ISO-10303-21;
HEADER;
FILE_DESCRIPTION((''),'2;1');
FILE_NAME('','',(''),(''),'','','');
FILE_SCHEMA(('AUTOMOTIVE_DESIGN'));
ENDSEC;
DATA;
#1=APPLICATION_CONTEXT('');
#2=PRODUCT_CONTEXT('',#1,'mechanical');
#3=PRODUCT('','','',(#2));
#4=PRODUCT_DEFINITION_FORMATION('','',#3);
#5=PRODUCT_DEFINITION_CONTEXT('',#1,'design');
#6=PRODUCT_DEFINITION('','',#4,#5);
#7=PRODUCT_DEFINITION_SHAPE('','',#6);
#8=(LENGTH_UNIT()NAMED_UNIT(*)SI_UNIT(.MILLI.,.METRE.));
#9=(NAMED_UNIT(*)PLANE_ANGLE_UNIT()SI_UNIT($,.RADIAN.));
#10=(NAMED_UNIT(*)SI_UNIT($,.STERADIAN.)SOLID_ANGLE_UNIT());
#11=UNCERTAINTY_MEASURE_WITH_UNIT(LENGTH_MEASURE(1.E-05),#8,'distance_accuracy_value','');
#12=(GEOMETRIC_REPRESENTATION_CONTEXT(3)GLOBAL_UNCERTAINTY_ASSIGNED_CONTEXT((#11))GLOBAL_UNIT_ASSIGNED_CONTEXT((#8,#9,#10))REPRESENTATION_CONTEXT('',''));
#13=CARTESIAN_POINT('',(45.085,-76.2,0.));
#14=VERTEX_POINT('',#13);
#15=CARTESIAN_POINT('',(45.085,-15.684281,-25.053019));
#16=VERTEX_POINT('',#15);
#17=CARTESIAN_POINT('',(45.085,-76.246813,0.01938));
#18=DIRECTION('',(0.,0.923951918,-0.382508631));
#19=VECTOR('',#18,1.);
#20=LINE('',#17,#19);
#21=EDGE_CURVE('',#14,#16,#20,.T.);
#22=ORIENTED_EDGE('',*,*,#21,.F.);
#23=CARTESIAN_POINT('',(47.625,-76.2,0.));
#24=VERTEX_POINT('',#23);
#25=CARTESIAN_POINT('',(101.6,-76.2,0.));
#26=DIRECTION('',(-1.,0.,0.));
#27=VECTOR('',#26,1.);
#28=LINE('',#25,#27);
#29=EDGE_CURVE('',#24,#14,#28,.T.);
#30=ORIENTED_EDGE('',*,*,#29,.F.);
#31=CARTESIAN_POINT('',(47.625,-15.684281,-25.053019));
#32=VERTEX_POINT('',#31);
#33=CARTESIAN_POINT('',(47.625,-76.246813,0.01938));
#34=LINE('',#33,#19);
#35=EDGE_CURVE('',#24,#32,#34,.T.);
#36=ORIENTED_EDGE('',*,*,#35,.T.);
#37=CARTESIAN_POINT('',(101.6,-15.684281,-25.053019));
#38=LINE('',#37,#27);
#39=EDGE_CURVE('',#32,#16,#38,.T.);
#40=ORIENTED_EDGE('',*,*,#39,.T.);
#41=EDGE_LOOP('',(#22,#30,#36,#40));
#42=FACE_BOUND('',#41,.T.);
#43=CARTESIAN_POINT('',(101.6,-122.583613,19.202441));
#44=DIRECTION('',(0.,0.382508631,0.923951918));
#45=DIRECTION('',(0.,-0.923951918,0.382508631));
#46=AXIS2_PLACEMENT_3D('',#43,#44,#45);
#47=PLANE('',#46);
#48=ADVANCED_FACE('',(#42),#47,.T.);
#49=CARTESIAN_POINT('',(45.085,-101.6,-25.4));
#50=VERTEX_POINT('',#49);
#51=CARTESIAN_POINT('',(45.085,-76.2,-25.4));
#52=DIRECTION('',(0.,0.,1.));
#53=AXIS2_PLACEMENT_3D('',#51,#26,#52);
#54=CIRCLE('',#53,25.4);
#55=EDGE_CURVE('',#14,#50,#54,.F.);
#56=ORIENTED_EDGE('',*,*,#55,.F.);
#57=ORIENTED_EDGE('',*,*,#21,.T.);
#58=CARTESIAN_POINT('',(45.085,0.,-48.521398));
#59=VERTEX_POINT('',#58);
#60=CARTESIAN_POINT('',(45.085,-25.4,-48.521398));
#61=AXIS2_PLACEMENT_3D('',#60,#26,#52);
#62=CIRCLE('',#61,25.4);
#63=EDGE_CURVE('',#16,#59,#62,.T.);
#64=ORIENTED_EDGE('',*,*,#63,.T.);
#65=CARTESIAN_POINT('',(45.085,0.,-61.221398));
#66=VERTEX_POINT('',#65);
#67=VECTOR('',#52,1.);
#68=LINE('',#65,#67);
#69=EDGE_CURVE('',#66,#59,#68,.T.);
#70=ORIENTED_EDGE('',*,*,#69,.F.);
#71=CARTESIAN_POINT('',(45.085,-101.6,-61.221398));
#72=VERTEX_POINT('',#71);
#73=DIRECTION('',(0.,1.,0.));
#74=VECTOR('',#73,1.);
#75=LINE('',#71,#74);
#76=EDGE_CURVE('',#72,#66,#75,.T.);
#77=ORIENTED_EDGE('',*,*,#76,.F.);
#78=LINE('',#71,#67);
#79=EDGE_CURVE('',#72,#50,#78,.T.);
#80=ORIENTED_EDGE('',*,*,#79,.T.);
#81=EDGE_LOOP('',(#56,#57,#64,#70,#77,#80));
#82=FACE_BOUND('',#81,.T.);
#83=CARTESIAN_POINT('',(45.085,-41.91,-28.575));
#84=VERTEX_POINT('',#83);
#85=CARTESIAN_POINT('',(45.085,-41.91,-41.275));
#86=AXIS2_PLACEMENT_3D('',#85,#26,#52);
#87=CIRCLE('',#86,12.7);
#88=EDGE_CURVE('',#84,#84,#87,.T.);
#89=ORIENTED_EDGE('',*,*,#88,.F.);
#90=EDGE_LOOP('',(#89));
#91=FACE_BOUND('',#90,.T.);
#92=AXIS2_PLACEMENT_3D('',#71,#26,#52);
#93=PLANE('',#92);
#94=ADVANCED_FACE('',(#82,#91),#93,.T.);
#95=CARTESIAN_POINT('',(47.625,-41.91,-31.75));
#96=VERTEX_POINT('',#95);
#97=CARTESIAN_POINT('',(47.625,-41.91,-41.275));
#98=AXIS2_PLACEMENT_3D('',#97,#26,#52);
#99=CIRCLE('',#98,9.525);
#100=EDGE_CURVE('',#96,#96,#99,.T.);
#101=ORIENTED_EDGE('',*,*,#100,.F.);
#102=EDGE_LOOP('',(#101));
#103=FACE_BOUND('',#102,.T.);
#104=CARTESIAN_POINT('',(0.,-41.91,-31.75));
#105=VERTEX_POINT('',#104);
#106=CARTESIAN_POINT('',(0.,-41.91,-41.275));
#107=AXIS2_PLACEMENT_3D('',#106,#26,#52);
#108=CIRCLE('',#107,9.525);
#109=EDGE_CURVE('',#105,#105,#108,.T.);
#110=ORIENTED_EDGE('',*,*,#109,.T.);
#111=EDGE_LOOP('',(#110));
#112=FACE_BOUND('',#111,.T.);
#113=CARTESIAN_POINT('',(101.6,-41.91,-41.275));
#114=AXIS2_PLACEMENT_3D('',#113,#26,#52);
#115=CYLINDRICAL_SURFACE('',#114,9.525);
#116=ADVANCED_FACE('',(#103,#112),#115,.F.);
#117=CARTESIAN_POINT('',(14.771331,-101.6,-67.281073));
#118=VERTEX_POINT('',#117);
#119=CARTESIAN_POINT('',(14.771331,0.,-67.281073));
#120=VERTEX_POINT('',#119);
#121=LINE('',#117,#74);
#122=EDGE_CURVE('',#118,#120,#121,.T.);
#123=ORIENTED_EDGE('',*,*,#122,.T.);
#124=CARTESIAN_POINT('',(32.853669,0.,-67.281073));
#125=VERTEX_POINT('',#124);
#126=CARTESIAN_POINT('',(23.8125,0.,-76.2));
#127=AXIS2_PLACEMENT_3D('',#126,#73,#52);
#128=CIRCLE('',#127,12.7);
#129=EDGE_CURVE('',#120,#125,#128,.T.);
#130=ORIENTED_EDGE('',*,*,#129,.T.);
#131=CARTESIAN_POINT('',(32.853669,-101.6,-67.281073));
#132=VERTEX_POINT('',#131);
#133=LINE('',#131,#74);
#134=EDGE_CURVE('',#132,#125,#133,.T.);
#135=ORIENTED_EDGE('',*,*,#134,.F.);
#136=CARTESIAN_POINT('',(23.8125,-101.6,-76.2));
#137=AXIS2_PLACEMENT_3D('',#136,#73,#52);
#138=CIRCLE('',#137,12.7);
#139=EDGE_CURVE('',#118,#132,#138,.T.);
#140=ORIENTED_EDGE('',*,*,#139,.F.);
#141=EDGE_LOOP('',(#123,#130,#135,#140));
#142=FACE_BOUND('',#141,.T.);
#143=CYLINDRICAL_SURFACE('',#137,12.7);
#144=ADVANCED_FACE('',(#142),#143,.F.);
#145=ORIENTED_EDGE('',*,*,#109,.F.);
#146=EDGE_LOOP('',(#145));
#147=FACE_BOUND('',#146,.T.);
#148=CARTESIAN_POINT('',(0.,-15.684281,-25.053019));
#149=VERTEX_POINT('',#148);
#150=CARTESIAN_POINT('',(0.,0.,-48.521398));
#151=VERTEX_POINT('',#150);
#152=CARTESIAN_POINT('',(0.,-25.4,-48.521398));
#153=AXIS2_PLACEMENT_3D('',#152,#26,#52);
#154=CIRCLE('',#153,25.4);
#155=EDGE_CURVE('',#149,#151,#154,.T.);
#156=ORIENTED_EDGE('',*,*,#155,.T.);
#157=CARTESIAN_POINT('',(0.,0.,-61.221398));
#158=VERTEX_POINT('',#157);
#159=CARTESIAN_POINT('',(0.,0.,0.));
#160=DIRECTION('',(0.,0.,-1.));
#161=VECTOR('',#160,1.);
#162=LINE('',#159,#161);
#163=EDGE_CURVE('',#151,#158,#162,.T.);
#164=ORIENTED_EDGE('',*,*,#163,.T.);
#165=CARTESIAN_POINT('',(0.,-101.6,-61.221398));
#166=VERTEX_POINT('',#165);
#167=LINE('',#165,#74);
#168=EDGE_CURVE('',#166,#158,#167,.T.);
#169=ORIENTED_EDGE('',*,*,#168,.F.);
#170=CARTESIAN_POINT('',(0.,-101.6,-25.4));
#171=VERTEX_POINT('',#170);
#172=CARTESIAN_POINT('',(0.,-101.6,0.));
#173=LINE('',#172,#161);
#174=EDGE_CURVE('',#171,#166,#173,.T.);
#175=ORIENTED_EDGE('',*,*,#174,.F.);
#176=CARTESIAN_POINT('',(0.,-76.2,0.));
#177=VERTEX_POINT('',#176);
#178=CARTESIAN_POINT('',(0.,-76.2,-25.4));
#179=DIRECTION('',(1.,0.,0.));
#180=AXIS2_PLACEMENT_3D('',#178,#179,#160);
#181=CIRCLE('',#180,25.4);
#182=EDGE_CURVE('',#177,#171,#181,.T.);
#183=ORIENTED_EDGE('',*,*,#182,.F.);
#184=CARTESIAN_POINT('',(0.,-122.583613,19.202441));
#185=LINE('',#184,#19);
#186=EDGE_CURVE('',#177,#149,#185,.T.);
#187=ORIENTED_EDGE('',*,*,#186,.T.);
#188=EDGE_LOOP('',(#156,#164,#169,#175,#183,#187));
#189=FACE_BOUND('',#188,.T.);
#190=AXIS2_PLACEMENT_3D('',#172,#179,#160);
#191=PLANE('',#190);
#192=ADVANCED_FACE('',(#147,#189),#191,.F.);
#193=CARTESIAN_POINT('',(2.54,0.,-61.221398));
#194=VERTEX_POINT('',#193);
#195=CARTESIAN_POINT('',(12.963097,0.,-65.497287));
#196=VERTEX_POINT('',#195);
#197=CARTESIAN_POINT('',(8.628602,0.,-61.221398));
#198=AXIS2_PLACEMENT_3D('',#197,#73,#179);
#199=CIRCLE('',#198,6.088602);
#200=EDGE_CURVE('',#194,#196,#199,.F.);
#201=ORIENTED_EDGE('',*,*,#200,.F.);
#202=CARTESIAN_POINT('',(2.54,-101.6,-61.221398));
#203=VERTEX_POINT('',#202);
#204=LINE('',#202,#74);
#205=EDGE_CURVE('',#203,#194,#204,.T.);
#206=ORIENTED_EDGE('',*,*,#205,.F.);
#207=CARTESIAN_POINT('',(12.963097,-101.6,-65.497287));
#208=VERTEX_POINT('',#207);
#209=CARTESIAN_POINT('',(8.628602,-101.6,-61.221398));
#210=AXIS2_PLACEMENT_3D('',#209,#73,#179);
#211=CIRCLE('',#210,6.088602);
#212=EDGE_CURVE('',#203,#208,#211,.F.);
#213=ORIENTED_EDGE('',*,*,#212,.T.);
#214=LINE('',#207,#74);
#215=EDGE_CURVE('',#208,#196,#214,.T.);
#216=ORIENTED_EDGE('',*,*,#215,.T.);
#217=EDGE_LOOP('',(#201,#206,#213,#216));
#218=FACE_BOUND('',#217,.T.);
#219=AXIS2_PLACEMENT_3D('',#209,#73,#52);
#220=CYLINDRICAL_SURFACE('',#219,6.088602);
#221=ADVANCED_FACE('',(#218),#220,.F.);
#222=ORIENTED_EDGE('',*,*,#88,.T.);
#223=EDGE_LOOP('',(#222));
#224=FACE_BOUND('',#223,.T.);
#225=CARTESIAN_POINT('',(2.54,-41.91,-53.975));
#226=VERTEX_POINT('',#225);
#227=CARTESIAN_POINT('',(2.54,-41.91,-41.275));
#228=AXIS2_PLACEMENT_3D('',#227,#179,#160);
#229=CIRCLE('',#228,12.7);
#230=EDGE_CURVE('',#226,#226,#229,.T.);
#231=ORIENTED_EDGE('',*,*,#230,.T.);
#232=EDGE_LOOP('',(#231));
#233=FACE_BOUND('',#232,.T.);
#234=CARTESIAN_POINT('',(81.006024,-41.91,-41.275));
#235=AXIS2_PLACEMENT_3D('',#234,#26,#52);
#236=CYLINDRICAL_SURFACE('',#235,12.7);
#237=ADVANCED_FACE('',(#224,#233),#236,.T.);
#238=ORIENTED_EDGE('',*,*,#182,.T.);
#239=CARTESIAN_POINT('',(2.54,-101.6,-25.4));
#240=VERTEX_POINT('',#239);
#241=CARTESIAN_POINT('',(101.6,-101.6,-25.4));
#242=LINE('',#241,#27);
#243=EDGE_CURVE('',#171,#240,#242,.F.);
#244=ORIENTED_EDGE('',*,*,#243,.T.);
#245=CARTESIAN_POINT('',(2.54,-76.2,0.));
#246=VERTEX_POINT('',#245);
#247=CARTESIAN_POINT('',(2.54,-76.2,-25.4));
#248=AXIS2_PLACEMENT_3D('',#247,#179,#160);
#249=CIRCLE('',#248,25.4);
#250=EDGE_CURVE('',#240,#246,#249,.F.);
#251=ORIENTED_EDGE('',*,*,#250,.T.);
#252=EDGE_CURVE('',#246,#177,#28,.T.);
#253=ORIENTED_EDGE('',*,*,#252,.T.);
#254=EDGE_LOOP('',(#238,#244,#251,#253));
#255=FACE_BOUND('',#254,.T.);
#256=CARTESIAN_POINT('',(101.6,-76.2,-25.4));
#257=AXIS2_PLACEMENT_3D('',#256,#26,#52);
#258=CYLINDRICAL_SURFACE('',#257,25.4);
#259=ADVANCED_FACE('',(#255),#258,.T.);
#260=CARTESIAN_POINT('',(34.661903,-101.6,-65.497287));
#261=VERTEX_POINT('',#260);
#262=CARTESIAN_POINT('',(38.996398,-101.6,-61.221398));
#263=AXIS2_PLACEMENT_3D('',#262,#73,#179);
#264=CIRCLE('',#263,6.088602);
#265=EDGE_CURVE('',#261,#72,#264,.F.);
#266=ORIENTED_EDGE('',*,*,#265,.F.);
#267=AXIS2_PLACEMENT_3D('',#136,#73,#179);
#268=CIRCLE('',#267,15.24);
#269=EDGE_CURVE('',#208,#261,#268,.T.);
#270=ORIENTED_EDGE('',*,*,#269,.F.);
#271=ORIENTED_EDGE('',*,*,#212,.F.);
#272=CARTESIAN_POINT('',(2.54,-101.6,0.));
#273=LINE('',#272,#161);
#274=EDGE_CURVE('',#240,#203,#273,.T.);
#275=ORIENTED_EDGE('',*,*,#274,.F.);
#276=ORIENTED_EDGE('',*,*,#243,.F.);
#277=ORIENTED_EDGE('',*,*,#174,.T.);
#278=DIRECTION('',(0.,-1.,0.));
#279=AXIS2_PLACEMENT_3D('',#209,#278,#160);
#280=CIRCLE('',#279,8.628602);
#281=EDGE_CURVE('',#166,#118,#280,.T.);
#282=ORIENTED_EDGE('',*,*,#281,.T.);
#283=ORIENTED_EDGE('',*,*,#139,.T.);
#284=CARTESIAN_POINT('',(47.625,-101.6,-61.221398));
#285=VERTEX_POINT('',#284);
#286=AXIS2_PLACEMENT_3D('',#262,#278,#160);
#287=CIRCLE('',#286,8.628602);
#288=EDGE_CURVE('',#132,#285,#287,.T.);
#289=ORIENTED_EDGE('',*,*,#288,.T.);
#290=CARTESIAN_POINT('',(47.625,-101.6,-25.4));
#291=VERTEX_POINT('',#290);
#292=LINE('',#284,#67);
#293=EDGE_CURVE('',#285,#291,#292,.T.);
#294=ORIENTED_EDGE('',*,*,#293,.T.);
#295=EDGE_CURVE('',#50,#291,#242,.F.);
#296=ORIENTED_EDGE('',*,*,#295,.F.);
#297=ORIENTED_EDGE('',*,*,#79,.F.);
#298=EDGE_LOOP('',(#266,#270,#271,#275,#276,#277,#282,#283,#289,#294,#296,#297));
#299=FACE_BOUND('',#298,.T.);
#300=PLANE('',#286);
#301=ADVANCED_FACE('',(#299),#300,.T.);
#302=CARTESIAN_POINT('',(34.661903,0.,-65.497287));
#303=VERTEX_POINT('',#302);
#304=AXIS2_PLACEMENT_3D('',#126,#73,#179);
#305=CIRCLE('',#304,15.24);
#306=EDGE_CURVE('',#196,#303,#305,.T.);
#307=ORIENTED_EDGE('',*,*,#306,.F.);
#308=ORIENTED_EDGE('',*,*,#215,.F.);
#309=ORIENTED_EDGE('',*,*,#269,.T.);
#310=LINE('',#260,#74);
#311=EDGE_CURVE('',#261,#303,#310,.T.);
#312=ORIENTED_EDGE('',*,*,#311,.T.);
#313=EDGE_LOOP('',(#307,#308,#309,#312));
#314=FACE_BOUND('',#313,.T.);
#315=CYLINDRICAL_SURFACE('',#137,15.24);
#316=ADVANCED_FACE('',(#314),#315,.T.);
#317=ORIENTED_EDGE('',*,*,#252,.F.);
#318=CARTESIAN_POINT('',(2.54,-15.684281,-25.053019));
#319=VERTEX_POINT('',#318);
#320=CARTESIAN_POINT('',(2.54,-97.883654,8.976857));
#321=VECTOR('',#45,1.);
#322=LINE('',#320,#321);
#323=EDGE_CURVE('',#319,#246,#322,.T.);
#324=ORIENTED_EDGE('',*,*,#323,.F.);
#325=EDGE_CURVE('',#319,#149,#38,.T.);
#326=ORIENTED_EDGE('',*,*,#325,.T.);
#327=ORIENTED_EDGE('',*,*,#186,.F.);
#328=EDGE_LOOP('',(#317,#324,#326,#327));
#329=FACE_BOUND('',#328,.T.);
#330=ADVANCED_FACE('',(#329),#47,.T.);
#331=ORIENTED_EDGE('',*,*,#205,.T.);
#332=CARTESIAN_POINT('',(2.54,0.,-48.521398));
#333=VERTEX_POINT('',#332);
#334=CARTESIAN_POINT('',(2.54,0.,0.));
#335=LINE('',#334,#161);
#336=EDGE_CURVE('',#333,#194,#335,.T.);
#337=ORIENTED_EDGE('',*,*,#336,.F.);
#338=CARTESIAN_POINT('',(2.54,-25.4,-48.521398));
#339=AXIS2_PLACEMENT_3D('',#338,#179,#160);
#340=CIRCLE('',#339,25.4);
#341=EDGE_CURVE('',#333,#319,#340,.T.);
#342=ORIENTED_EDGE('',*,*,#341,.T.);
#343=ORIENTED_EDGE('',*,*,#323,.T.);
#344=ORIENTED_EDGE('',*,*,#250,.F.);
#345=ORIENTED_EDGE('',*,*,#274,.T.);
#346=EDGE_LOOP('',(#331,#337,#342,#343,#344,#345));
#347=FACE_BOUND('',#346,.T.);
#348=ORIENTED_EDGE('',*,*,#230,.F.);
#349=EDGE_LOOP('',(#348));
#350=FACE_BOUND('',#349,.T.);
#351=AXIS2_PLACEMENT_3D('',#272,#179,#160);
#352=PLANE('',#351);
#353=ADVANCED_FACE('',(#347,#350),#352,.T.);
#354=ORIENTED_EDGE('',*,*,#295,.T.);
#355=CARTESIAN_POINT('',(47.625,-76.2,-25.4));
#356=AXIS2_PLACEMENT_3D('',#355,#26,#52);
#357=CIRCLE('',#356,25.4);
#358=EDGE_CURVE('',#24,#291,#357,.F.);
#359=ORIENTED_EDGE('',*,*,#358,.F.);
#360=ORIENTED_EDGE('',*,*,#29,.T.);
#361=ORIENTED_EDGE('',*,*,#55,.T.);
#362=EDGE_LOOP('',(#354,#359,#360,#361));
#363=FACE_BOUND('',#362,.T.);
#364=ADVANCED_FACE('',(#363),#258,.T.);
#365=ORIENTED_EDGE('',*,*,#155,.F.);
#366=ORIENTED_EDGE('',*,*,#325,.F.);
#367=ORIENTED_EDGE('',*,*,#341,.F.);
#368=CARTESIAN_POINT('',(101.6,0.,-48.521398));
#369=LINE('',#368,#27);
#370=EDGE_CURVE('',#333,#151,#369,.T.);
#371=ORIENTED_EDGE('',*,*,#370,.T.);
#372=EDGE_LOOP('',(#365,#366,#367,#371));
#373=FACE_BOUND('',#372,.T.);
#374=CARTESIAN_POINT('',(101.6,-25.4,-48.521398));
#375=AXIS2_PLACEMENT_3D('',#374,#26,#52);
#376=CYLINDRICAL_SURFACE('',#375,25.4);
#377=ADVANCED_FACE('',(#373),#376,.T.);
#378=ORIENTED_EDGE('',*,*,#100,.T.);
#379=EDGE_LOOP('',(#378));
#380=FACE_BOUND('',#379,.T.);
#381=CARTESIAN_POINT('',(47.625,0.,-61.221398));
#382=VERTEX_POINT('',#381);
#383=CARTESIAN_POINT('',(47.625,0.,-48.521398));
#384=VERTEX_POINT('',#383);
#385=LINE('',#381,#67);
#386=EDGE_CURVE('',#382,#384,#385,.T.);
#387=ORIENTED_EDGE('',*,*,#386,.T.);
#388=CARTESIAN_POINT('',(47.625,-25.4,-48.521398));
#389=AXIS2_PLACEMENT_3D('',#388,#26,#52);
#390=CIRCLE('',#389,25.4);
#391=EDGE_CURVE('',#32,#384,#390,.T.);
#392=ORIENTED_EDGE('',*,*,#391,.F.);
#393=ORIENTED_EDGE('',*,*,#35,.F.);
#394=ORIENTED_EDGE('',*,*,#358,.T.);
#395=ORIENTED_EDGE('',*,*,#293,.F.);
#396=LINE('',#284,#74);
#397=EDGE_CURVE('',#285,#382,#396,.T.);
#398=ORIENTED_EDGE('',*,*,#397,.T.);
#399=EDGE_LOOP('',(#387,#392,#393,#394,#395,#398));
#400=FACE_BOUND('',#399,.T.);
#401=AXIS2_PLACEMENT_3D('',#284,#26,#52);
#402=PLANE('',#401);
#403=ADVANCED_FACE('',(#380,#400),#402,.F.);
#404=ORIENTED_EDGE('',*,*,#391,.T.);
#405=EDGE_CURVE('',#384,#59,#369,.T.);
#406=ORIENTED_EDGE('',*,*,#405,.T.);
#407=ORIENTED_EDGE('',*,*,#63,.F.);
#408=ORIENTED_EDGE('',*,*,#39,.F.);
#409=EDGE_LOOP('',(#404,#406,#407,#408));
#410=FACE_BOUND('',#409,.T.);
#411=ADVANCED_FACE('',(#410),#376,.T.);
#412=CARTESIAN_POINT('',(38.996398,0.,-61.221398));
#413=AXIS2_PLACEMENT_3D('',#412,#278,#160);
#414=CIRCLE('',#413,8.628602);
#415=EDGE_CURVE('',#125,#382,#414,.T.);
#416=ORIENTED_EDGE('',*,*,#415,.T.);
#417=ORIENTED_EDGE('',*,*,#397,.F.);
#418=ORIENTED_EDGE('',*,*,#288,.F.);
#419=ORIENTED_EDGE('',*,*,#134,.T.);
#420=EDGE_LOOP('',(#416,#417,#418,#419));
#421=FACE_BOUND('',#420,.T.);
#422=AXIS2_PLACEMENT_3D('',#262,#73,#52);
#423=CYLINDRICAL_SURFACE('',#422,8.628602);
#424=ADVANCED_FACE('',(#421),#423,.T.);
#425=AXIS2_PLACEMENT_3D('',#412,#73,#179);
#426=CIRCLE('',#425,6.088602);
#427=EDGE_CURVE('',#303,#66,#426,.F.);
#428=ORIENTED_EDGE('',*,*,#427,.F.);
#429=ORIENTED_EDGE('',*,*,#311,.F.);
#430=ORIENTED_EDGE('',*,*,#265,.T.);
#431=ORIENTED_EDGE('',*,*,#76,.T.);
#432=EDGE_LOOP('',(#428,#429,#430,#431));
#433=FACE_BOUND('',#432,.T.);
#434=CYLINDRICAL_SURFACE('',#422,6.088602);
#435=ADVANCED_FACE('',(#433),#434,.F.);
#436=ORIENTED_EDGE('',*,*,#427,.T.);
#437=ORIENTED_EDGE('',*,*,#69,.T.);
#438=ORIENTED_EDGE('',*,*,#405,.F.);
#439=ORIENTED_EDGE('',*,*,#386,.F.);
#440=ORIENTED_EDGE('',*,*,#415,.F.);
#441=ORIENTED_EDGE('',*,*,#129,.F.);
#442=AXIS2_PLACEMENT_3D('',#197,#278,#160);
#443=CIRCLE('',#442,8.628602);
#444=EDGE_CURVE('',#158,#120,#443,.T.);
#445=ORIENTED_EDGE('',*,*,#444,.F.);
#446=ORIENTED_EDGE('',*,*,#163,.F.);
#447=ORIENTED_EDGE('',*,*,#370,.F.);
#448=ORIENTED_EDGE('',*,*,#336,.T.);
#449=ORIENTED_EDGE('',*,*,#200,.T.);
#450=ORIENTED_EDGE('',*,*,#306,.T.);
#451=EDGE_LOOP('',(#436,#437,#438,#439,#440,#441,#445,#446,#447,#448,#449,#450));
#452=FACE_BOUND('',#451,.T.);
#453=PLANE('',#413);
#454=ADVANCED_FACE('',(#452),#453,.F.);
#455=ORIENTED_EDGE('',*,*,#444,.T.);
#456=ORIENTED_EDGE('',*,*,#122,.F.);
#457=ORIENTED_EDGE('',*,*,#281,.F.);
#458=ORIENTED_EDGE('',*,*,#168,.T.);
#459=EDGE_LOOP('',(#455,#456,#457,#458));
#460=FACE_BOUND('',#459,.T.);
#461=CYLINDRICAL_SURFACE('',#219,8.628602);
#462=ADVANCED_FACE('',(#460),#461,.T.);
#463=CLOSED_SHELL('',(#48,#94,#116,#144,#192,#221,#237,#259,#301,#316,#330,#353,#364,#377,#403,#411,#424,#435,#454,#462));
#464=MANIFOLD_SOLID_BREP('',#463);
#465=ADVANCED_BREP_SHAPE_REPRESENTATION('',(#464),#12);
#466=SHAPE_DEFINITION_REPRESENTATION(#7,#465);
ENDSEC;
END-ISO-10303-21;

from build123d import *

# Parameters (mm, degrees)
EXTRUDE_THIN1_DEPTH = 101.6
SKETCH3_R           = 9.525
EXTRUDE1_DEPTH      = 101.6
SKETCH2_R           = 12.7
SKETCH2_R_2         = 9.525
EXTRUDE2_DEPTH      = 45.085
EXTRUDE3_DEPTH      = 101.6


with BuildPart() as part:
    # Sketch1 → Extrude-Thin1 (new body)
    with BuildSketch(Plane(origin=(0, 0, 0), x_dir=(1, 0, 0), z_dir=(0, 1, 0))):
        with BuildLine():
            Line((0, 0), (0, 61.221397696))
            ThreePointArc((0, 61.221397696), (5.35372705, 69.204377703), (14.771330869, 67.281072892))
            ThreePointArc((14.771330869, 67.281072892), (23.8125, 63.5), (32.853669131, 67.281072892))
            ThreePointArc((32.853669131, 67.281072892), (42.27127295, 69.204377703), (47.625, 61.221397696))
            Line((47.625, 61.221397696), (47.625, 0))
            Line((47.625, 0), (45.085, 0))
            Line((45.085, 0), (45.085, 61.221397696))
            ThreePointArc((45.085, 61.221397696), (41.307248552, 66.854429414), (34.661902957, 65.497287471))
            ThreePointArc((34.661902957, 65.497287471), (23.8125, 60.96), (12.963097043, 65.497287471))
            ThreePointArc((12.963097043, 65.497287471), (6.317751448, 66.854429414), (2.54, 61.221397696))
            Line((2.54, 61.221397696), (2.54, 0))
            Line((2.54, 0), (0, 0))
        make_face()
    extrude(amount=-EXTRUDE_THIN1_DEPTH)

    # Sketch3 → Extrude1 (cut)
    with BuildSketch(Plane.ZY):
        with Locations((-41.275, -41.91)):
            Circle(SKETCH3_R)
    extrude(amount=-EXTRUDE1_DEPTH, mode=Mode.SUBTRACT)

    # Sketch2 → Extrude2 (add)
    with BuildSketch(Plane.ZY):
        with Locations((-41.275, -41.91)):
            Circle(SKETCH2_R)
        with Locations((-41.275, -41.91)):
            Circle(SKETCH2_R_2, mode=Mode.SUBTRACT)
    extrude(amount=-EXTRUDE2_DEPTH)

    # Sketch4 → Extrude3 (cut)
    with BuildSketch(Plane.ZY):
        with BuildLine():
            Line((-25.053018977, -15.684280765), (0, -76.2))
            Line((0, -76.2), (0, 0))
            Line((0, 0), (-48.521397696, 0))
            ThreePointArc((-48.521397696, 0), (-34.407915996, -4.282006859), (-25.053018977, -15.684280765))
        make_face()
        with BuildLine():
            ThreePointArc((0, -76.2), (-7.439487758, -94.160512242), (-25.4, -101.6))
            Line((-25.4, -101.6), (0, -101.6))
            Line((0, -101.6), (0, -76.2))
        make_face()
    extrude(amount=-EXTRUDE3_DEPTH, mode=Mode.SUBTRACT)


solid = part.part
